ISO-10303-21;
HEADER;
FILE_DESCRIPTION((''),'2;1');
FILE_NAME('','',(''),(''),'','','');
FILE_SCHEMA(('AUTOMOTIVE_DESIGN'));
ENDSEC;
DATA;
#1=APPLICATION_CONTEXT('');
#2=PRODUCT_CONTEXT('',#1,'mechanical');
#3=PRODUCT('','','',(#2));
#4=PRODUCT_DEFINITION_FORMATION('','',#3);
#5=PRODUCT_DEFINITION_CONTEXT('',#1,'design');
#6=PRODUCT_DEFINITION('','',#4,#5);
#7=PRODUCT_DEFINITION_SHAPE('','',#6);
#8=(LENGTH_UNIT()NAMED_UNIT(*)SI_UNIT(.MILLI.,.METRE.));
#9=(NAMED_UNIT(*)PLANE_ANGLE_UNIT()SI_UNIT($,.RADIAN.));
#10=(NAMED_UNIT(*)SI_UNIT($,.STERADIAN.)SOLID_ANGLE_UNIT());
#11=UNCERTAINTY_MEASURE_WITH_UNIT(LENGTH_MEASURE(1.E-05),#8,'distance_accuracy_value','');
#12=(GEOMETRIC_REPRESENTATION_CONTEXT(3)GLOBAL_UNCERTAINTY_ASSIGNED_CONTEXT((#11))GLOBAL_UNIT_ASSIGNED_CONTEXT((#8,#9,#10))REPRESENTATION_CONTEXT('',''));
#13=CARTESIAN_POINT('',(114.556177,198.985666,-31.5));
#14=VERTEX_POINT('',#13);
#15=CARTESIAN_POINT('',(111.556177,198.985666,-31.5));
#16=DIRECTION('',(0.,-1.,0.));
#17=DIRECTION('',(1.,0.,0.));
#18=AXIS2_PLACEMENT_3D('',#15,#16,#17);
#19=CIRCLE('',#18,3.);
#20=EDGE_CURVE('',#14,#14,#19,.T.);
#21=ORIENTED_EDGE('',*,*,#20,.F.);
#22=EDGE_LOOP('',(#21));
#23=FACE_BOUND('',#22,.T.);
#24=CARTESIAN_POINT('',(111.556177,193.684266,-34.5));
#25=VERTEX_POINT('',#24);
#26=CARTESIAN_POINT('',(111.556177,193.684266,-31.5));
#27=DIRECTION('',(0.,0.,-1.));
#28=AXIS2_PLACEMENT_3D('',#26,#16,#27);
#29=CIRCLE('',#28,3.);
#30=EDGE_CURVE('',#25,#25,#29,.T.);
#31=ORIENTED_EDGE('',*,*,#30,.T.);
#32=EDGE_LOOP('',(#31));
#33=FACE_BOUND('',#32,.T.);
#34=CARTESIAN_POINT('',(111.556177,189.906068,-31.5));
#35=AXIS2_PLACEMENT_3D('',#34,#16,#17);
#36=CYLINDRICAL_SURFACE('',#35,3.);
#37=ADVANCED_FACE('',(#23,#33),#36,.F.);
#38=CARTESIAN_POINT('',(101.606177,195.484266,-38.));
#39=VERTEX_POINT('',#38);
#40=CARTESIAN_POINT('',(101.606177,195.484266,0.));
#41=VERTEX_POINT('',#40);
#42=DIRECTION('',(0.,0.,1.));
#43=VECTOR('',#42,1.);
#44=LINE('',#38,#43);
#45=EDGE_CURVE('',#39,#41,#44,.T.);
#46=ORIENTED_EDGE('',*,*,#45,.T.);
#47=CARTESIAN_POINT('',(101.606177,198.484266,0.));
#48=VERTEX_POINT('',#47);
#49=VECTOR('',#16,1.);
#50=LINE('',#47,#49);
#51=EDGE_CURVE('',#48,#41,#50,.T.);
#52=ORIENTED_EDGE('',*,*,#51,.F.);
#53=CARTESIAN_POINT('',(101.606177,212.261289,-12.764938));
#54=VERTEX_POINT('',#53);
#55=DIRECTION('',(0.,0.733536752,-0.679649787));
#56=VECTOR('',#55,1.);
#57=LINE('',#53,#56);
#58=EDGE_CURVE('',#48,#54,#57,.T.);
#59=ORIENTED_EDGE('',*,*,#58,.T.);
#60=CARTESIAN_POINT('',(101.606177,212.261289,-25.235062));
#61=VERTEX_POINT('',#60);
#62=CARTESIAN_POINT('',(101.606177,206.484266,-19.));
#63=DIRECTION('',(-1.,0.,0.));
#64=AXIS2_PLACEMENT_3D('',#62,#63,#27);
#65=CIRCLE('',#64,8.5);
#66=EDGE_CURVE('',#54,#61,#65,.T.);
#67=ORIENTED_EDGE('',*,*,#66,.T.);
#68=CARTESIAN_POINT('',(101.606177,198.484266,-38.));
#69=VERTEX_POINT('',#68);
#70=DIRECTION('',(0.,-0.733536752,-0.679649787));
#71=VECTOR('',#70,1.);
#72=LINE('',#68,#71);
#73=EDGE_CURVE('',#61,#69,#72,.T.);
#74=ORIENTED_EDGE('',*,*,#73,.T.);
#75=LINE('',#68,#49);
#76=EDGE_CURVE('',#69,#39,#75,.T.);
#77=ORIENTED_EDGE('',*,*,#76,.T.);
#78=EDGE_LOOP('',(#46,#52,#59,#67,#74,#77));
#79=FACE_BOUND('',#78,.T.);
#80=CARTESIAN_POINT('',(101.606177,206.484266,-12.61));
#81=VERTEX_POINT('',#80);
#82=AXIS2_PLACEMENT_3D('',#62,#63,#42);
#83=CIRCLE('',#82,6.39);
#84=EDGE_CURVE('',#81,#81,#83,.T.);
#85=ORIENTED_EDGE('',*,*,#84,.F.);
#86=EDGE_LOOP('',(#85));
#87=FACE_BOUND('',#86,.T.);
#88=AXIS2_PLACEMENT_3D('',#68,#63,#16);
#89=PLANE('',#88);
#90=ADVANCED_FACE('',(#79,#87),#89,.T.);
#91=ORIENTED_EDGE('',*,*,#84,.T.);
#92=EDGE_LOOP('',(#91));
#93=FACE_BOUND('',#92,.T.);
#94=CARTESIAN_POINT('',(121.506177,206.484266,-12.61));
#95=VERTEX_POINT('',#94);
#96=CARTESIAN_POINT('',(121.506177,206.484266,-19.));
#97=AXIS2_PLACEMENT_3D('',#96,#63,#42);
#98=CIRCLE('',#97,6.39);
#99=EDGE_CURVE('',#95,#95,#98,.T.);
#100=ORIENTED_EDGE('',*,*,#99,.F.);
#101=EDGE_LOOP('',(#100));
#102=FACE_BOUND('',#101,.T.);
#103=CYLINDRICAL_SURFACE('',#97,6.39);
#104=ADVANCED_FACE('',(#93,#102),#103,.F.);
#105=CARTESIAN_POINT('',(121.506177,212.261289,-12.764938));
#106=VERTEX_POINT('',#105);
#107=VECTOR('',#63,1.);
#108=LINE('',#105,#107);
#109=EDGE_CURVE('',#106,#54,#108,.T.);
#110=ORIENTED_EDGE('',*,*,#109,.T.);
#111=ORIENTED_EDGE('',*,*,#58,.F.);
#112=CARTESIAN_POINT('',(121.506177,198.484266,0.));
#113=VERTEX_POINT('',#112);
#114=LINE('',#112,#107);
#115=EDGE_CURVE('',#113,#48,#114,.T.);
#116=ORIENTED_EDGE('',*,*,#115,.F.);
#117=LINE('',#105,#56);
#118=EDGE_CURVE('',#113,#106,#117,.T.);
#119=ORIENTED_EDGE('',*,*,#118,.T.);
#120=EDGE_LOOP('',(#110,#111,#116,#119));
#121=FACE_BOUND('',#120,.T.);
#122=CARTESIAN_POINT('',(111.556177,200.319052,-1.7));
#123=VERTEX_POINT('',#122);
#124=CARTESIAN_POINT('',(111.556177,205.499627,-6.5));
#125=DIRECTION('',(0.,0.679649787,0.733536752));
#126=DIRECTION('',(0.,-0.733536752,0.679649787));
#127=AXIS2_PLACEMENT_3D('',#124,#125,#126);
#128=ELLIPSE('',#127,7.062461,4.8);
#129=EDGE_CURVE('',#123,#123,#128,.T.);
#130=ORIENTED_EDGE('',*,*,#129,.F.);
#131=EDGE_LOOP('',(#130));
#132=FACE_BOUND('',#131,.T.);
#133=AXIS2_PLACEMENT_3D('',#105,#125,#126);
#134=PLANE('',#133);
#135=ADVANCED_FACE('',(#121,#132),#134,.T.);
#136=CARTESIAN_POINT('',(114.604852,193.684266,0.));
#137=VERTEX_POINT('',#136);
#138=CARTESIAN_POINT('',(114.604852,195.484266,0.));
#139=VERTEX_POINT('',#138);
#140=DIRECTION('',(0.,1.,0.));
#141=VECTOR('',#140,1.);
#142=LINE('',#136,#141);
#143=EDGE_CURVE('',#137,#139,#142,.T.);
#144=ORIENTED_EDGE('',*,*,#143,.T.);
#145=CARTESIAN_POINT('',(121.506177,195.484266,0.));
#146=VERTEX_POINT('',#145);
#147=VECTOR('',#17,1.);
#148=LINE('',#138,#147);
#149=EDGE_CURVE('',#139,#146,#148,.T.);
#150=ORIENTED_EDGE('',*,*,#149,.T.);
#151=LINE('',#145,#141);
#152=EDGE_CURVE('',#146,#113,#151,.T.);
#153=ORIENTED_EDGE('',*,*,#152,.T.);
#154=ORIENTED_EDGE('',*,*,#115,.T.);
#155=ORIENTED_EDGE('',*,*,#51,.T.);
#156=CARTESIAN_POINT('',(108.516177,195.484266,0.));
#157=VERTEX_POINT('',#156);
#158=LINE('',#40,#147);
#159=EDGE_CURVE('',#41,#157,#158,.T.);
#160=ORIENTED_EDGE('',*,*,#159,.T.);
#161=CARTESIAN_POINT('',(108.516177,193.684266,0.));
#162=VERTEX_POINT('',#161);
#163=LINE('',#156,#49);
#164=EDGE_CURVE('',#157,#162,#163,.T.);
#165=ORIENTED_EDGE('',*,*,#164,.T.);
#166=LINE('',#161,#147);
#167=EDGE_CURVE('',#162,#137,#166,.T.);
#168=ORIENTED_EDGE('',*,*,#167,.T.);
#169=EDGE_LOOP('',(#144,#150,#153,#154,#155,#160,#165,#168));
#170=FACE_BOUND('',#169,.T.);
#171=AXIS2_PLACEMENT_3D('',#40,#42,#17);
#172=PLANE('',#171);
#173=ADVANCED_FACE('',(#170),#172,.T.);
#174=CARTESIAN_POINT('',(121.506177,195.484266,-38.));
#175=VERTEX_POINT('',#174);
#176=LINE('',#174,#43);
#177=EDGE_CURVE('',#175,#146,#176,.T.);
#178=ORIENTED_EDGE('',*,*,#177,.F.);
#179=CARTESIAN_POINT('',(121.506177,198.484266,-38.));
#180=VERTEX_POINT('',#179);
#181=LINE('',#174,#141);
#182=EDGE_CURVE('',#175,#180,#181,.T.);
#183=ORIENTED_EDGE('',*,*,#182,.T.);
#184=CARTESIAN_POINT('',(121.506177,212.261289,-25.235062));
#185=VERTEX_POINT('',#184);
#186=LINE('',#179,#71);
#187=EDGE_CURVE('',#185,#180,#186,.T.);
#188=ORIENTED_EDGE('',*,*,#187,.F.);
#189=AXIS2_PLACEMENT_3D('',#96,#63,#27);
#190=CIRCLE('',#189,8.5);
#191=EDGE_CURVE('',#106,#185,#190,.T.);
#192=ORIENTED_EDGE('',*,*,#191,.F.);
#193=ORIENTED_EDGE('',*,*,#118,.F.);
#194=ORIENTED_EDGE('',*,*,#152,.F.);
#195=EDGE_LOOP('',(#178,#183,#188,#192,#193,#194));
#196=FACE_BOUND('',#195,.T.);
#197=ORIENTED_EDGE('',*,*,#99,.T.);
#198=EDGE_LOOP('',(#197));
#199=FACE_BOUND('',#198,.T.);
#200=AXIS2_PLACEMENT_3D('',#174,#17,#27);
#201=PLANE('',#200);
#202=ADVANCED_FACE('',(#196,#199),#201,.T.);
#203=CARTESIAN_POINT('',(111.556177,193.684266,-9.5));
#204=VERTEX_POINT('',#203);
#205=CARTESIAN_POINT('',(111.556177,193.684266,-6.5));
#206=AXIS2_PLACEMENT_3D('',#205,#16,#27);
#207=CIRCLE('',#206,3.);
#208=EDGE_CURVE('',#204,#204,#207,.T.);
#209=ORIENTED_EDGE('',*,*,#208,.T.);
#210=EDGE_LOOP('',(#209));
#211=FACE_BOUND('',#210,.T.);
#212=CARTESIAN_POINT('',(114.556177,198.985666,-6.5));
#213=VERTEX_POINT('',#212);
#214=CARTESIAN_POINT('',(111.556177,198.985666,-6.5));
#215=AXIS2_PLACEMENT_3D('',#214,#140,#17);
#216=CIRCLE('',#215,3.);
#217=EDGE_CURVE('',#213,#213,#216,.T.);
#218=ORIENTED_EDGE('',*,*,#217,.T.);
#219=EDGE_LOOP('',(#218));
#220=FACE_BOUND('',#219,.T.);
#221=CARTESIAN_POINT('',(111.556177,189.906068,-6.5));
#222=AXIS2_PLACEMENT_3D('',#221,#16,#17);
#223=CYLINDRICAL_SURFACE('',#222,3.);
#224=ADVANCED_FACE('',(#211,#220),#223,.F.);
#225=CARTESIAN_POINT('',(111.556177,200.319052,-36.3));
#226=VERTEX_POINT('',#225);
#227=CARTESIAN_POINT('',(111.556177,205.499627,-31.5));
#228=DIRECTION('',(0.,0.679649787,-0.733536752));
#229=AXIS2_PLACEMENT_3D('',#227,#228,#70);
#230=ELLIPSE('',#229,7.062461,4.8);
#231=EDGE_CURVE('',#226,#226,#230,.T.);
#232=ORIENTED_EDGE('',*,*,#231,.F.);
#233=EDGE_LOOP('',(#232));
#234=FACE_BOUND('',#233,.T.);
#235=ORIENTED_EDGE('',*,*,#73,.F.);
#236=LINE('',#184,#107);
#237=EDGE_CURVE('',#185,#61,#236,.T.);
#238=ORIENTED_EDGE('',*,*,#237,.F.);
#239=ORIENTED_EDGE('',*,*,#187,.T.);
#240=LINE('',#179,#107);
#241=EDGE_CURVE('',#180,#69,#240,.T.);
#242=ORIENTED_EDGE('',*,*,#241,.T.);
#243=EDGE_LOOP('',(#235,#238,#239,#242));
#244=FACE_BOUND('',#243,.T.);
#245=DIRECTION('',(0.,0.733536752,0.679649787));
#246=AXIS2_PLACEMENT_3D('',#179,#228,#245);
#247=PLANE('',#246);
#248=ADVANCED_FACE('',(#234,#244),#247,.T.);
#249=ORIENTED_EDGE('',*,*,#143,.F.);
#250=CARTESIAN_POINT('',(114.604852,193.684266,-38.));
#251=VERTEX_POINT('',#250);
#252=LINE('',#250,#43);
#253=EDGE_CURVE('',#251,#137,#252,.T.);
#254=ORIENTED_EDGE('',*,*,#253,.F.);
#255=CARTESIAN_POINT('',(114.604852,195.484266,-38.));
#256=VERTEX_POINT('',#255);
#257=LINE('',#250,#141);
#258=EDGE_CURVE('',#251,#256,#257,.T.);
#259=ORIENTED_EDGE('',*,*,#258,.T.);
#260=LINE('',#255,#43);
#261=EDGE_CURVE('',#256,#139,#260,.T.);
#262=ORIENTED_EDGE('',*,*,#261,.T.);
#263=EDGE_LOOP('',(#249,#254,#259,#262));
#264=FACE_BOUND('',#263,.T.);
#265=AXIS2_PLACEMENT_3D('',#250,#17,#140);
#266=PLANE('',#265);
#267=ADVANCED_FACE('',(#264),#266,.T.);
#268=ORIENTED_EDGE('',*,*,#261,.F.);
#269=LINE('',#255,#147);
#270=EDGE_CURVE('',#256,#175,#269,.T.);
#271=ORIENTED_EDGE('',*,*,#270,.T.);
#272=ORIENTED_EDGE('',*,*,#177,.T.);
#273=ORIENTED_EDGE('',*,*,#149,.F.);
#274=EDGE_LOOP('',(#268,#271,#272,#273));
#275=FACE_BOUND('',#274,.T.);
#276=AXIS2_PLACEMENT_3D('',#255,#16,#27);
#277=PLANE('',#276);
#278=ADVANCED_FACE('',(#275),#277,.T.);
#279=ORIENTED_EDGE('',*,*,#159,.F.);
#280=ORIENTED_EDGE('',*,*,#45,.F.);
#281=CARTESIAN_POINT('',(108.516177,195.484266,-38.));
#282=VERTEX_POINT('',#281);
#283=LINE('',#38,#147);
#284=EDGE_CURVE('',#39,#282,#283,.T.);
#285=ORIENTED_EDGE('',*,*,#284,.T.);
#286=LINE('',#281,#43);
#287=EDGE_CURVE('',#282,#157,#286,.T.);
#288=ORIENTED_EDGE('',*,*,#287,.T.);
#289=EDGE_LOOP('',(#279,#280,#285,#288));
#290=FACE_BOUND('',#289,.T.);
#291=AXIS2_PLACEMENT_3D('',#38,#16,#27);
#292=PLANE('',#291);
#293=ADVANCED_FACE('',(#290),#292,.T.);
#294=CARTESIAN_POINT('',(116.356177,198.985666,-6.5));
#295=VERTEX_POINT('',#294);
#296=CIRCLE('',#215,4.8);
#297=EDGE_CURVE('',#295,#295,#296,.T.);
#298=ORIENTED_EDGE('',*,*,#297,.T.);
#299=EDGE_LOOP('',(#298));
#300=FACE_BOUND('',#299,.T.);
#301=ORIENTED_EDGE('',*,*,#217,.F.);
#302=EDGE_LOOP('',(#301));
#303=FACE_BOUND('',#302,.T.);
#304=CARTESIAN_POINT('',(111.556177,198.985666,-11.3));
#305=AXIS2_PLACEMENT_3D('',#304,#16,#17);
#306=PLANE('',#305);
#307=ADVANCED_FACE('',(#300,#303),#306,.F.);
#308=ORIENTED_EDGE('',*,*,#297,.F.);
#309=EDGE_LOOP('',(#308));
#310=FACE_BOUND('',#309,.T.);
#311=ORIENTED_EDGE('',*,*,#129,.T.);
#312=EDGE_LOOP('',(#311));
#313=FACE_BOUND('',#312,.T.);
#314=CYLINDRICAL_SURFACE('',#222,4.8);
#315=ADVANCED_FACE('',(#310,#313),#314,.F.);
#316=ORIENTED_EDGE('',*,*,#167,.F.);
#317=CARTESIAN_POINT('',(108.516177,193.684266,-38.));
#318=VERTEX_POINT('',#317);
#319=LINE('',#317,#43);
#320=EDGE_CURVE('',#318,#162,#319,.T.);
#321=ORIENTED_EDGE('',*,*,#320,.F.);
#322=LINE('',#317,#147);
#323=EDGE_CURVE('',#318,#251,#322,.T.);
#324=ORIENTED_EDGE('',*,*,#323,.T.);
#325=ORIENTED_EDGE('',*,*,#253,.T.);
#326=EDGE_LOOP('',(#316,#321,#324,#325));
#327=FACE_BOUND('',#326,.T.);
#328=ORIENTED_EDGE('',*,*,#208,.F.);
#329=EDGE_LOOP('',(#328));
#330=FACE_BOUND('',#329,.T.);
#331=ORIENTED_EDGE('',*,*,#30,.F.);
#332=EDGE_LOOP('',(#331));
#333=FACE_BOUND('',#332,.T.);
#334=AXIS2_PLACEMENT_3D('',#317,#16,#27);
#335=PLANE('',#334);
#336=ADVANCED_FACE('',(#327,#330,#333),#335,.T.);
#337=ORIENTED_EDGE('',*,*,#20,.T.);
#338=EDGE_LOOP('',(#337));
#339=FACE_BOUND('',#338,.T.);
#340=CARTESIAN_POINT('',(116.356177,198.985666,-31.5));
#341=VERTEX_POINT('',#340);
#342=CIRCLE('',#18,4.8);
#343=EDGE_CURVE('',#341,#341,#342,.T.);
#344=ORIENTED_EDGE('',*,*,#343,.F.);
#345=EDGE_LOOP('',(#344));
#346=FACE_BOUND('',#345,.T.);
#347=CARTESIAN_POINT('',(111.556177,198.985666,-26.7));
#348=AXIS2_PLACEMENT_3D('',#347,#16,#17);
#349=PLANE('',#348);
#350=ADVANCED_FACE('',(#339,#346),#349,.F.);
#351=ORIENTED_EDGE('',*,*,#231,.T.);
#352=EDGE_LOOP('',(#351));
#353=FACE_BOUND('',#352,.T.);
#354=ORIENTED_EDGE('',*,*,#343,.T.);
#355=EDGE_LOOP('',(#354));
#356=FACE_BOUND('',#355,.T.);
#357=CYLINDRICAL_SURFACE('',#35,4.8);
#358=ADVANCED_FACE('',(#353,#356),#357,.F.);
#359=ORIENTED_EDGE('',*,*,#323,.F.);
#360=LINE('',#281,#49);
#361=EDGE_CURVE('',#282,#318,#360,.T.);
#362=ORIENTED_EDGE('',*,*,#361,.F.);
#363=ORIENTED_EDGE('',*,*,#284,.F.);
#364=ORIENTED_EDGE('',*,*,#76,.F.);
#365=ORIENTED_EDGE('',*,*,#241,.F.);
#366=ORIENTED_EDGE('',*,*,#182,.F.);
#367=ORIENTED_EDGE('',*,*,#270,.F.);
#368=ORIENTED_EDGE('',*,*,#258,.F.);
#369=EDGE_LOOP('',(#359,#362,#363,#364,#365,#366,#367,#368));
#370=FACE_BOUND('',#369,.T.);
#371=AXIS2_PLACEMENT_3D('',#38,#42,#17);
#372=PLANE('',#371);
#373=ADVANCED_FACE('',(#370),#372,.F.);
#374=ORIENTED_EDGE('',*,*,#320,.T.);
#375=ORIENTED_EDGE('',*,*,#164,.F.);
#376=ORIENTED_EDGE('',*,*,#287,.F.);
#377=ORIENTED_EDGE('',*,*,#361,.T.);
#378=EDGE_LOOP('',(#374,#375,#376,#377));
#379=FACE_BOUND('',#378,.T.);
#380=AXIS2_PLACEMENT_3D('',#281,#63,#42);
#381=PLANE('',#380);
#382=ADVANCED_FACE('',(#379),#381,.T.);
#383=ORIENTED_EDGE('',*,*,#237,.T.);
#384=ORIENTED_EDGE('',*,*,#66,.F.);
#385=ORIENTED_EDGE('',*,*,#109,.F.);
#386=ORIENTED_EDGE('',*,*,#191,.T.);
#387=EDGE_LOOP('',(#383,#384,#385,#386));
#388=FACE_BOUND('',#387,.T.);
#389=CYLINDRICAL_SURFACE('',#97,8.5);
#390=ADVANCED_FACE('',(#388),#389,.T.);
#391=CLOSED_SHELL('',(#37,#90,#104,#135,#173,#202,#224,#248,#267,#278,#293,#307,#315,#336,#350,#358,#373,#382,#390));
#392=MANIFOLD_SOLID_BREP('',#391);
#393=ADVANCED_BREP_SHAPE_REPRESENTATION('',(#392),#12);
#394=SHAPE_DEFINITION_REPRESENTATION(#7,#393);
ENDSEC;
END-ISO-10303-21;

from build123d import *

# Parameters (mm, degrees)
BOSS_EXTRUDE1_DEPTH = 38
SKETCH2_R           = 6.39
BOSS_EXTRUDE2_DEPTH = 19.9


with BuildPart() as part:
    # Sketch1 → Boss-Extrude1 (new body)
    with BuildSketch(Plane.XY):
        Polygon((101.60617691, 195.484265545), (108.51617691, 195.484265545), (108.51617691, 193.684265545), (114.604851948, 193.684265545), (114.604851948, 195.484265545), (121.50617691, 195.484265545), (121.50617691, 198.484265545), (101.60617691, 198.484265545), align=None)
    extrude(amount=-BOSS_EXTRUDE1_DEPTH)

    # Sketch2 → Boss-Extrude2 (add)
    with BuildSketch(Plane.ZY.offset(-101.60617691)):
        with BuildLine():
            Line((-38, 198.484265545), (-25.235062395, 212.261288734))
            ThreePointArc((-25.235062395, 212.261288734), (-19, 214.984265545), (-12.764937605, 212.261288734))
            Line((-12.764937605, 212.261288734), (0, 198.484265545))
            Line((0, 198.484265545), (-38, 198.484265545))
        make_face()
        with Locations((-19, 206.484265545)):
            Circle(SKETCH2_R, mode=Mode.SUBTRACT)
    extrude(amount=-BOSS_EXTRUDE2_DEPTH)

    # Sketch3 → Cut-Revolve1 (revolve, cut)
    with BuildSketch(Plane.ZY.offset(-111.55617691)):
        Polygon((-26.7, 211.670017018), (-26.7, 198.985665545), (-28.5, 198.985665545), (-28.5, 189.906068288), (-31.5, 189.906068288), (-31.5, 211.670017018), align=None)
    cut_revolve1 = revolve(axis=Axis((111.55617691, 189.906068288, -31.5), (0, 1, 0)), mode=Mode.SUBTRACT)

    # Mirror1: Cut-Revolve1 across plane
    add(cut_revolve1.mirror(Plane(origin=(0, 0, -19), x_dir=(1, 0, 0), z_dir=(0, 0, -1))), mode=Mode.SUBTRACT)


solid = part.part
